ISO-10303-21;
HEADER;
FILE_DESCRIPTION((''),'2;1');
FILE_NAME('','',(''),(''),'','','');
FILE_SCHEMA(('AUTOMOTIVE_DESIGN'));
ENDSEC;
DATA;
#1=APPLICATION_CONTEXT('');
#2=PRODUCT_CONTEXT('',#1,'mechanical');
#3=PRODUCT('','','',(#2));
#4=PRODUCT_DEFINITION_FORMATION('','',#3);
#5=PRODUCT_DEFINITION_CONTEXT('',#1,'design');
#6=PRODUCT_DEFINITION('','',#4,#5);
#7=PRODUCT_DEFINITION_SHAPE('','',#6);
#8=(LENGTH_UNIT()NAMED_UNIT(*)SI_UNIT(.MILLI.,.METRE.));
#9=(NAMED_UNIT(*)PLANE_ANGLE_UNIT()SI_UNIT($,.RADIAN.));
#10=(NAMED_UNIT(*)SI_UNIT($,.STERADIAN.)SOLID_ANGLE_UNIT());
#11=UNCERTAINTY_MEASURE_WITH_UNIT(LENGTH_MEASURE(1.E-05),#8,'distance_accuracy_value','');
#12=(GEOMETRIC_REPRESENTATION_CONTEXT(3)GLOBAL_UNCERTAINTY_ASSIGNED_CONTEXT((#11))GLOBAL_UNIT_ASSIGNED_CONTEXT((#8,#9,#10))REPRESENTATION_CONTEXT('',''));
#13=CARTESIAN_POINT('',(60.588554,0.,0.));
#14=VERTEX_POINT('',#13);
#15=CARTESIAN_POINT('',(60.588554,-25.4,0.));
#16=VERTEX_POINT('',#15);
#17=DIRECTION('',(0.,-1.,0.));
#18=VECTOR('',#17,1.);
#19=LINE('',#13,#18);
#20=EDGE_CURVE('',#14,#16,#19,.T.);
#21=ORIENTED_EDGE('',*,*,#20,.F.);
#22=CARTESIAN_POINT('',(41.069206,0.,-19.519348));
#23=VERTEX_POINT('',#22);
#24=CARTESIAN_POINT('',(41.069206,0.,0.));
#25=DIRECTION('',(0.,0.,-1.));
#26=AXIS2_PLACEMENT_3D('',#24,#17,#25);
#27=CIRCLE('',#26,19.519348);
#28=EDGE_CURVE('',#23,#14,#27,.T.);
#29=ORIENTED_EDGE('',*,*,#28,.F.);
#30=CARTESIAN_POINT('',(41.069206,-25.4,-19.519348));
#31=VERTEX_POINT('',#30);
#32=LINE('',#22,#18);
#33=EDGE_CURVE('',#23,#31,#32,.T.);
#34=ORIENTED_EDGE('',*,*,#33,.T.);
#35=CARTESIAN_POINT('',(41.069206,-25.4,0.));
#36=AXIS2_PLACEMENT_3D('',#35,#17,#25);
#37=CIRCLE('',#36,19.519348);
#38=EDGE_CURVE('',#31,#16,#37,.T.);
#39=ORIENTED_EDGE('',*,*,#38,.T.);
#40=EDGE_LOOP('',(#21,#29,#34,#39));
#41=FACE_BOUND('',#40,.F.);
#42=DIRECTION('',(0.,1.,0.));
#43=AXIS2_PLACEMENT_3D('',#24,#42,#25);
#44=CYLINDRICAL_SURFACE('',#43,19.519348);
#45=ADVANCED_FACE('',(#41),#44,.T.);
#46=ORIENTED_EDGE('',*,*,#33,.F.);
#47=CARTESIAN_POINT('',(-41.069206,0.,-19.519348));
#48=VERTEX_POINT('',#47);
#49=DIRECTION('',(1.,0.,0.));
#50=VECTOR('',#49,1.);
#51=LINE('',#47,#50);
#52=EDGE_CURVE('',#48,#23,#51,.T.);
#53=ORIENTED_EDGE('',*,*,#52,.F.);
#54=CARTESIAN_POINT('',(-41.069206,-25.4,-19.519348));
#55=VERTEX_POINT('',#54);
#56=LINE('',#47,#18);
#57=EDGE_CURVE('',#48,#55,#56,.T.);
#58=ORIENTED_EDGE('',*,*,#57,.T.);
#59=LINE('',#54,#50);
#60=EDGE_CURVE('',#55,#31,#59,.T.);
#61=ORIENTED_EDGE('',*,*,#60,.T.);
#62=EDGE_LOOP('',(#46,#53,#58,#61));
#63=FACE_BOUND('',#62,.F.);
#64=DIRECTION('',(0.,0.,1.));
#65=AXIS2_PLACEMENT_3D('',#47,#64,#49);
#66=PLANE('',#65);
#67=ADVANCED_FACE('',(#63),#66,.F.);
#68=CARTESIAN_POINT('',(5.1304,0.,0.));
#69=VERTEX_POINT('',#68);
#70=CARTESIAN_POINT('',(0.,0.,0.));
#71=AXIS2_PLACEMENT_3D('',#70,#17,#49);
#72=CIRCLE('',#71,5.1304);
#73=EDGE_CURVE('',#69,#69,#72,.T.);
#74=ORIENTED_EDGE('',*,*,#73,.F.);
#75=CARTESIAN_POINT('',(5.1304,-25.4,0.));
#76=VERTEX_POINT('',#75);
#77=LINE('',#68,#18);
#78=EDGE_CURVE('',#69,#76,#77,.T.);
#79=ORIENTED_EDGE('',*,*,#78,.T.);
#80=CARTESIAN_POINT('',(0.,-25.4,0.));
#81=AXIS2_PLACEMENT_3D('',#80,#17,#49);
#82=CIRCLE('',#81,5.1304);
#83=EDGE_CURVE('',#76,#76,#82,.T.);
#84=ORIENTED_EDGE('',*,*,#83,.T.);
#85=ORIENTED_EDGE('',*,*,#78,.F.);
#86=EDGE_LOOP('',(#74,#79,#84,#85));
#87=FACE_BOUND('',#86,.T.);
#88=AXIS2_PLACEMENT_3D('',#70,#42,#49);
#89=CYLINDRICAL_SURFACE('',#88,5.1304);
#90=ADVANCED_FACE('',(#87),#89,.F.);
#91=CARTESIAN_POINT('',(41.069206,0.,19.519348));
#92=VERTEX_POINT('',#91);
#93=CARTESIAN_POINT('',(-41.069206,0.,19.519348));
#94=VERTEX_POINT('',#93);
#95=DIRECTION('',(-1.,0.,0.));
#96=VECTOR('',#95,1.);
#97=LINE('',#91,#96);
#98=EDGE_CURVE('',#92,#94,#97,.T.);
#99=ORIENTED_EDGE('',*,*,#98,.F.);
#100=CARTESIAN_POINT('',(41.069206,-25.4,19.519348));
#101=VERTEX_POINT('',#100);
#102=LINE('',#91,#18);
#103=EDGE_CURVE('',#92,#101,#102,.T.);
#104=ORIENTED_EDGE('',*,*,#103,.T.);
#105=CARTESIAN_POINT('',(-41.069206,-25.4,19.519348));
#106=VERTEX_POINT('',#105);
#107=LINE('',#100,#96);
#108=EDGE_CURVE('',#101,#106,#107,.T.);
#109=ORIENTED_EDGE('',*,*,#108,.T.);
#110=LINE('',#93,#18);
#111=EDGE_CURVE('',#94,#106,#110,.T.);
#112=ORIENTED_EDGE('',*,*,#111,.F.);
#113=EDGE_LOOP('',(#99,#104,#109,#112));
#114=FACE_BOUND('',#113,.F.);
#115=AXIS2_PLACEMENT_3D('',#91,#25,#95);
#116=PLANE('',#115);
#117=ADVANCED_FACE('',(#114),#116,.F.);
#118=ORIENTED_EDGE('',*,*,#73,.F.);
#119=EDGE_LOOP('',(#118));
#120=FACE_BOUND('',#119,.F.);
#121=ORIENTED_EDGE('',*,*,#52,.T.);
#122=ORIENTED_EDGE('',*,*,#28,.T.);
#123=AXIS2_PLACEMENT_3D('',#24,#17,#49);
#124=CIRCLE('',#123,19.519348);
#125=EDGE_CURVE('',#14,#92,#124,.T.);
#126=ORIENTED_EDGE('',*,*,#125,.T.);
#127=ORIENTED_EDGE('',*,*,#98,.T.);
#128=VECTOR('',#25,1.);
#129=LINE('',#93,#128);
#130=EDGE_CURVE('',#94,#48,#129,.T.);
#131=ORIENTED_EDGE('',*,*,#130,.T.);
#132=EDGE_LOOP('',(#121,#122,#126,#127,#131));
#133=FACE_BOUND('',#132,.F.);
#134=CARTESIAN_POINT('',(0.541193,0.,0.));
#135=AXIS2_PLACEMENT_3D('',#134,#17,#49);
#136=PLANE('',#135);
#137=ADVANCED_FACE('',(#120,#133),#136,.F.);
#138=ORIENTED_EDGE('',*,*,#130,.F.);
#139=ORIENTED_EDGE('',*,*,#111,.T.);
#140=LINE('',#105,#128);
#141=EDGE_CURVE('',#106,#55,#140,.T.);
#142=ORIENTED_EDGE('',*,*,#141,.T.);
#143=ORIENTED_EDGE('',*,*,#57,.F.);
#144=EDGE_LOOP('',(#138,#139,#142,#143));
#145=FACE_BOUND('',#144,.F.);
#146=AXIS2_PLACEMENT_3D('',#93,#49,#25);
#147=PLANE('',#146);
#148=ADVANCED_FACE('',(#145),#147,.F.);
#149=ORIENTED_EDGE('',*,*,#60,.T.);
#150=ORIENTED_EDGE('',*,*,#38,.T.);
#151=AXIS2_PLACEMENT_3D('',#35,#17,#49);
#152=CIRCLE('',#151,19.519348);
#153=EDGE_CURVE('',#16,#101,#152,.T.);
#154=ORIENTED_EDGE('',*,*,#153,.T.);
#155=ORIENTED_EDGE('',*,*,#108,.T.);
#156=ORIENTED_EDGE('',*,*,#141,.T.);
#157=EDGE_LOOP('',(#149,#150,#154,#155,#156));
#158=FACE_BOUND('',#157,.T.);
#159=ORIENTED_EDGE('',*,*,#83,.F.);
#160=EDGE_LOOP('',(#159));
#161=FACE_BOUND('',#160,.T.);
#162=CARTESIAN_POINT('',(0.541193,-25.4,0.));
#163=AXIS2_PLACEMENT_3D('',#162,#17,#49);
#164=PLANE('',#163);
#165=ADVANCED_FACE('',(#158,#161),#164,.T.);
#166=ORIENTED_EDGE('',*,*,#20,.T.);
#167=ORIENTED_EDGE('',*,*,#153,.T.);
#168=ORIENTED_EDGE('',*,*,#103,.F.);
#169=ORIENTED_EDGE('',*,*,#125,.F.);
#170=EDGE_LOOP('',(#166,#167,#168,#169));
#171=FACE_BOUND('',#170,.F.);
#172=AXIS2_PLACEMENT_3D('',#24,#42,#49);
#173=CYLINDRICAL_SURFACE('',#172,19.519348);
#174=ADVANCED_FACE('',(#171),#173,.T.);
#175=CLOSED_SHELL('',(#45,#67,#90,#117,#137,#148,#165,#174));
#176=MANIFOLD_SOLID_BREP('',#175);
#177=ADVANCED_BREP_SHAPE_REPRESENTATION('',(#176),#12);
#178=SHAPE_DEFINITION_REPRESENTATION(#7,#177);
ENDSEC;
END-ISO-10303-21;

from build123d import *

# Parameters (mm, degrees)
F0_R     = 5.1303996858
F1_DEPTH = 25.4


with BuildPart() as f1:
    # F0 (on Front) → F1 (new body)
    with BuildSketch(Plane.XZ):
        with BuildLine():
            ThreePointArc((41.0692058504, -19.5193476975), (21.5498581529, 0), (41.0692058504, 19.5193476975))
            Line((41.0692058504, 19.5193476975), (-41.0692058504, 19.5193476975))
            Line((-41.0692058504, 19.5193476975), (-41.0692058504, -19.5193476975))
            Line((-41.0692058504, -19.5193476975), (41.0692058504, -19.5193476975))
        make_face()
        Circle(F0_R, mode=Mode.SUBTRACT)
        with BuildLine():
            ThreePointArc((60.5885535479, 0), (54.8714689716, 13.8022631212), (41.0692058504, 19.5193476975))
            Line((41.0692058504, 19.5193476975), (41.0692058504, -19.5193476975))
            ThreePointArc((41.0692058504, -19.5193476975), (54.8714689716, -13.8022631212), (60.5885535479, 0))
        make_face()
        with BuildLine():
            Line((41.0692058504, -19.5193476975), (41.0692058504, 19.5193476975))
            ThreePointArc((41.0692058504, 19.5193476975), (21.5498581529, 0), (41.0692058504, -19.5193476975))
        make_face()
    extrude(amount=F1_DEPTH)


solid = f1.part
